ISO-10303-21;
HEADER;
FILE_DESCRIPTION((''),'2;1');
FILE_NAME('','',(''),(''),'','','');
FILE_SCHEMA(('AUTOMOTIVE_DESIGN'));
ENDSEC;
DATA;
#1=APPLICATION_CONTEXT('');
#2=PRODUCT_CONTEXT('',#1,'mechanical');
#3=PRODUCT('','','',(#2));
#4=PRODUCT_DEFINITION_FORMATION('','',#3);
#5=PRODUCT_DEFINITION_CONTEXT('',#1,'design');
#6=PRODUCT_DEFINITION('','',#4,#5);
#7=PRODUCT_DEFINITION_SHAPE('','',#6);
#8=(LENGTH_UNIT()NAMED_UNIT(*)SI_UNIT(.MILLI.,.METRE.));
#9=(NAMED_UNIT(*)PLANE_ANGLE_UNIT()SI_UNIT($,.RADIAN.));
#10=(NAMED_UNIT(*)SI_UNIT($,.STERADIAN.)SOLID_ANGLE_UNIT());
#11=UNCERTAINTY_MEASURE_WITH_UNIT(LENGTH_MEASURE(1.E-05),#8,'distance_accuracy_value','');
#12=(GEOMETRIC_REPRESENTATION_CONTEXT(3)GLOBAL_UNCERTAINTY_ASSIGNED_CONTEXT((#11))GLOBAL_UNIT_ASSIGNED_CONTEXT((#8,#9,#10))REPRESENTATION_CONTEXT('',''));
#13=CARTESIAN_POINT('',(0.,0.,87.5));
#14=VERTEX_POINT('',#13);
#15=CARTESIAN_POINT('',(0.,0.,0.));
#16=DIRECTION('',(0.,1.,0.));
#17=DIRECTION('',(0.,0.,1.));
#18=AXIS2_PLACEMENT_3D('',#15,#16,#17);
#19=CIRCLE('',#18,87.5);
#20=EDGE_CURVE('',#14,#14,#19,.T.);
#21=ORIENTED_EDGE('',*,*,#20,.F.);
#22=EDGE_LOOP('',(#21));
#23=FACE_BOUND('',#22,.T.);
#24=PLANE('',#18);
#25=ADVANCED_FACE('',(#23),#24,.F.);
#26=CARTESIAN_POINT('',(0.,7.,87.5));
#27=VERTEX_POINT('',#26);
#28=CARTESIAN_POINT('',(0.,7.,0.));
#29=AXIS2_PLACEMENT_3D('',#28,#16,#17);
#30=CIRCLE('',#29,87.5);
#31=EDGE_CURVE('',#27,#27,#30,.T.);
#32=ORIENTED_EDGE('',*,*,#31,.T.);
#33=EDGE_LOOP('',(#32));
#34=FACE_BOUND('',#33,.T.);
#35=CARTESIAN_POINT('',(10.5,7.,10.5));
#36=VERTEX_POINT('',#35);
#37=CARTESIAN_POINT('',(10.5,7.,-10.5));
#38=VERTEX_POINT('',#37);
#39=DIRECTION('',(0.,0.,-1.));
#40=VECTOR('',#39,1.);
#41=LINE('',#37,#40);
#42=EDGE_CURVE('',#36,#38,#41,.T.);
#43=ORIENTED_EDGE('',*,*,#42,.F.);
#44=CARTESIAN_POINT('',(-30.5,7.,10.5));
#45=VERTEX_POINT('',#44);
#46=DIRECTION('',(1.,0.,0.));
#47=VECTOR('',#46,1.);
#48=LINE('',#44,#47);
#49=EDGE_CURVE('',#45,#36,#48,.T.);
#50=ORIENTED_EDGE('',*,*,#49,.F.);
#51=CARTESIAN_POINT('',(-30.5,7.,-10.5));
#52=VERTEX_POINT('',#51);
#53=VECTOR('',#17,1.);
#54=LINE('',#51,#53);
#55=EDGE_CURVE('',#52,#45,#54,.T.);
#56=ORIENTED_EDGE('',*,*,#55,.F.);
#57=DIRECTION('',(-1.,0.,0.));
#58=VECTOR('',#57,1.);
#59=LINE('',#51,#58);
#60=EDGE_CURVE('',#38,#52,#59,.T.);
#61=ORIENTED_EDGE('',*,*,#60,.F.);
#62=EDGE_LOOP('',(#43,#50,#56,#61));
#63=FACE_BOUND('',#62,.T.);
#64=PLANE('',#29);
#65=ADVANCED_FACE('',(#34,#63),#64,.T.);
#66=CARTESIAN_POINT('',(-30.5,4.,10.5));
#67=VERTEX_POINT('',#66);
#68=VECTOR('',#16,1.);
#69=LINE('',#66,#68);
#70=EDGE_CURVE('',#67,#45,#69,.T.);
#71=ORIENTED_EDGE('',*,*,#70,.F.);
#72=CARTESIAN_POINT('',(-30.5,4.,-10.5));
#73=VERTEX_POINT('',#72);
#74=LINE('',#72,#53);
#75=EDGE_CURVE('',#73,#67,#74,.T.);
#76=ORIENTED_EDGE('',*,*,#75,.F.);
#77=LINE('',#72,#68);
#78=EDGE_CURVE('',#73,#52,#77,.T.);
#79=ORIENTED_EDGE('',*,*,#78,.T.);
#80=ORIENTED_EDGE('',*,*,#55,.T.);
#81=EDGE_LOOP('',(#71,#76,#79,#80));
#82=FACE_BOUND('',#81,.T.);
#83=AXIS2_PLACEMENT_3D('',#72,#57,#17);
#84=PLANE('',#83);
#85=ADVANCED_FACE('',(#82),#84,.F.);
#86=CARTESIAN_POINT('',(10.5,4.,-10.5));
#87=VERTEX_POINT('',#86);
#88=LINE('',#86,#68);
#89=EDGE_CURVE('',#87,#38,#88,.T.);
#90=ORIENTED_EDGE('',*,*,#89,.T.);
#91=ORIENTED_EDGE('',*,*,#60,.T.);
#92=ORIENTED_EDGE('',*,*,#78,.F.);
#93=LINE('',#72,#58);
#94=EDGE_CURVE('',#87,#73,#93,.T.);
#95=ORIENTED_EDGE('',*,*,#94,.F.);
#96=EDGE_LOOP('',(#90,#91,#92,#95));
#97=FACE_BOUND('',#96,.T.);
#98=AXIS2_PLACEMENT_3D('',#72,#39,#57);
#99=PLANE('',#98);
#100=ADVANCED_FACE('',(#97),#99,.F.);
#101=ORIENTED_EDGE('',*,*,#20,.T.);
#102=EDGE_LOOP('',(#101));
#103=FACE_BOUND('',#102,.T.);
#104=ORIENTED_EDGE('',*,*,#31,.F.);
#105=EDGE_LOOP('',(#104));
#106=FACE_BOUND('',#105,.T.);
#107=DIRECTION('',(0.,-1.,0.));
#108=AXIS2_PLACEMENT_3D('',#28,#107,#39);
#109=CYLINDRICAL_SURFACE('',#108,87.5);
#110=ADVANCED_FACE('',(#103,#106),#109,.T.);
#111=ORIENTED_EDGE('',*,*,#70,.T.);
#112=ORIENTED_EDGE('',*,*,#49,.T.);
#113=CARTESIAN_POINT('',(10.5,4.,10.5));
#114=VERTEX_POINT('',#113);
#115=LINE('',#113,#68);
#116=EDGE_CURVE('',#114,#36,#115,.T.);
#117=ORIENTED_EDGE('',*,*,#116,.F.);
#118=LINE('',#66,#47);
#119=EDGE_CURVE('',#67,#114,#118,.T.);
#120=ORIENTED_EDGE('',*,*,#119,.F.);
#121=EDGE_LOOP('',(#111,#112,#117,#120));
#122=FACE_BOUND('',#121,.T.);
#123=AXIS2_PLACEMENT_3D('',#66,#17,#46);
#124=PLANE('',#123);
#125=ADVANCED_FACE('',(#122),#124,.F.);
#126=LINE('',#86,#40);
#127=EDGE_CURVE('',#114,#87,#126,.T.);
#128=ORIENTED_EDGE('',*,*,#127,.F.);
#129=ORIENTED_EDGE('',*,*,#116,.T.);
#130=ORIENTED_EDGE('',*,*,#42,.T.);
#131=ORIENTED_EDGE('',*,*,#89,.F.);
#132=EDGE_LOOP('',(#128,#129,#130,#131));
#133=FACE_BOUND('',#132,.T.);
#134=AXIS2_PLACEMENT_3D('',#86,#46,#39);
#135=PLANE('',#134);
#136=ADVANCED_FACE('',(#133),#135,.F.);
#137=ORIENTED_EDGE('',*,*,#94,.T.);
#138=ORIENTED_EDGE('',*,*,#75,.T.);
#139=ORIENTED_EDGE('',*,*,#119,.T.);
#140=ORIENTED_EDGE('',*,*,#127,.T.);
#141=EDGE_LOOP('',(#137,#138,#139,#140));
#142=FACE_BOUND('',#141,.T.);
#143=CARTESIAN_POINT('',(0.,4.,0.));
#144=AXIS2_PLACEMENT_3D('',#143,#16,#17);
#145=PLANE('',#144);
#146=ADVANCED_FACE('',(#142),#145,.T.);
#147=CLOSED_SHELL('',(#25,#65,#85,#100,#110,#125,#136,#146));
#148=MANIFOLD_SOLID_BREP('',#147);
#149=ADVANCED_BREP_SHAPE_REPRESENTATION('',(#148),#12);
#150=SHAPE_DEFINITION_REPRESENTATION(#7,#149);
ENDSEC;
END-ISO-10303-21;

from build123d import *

# Parameters (mm, degrees)
SKETCH1_R           = 87.5
BOSS_EXTRUDE1_DEPTH = 7
SKETCH2_W           = 41
SKETCH2_H           = 21
CUT_EXTRUDE1_DEPTH  = 3


with BuildPart() as part:
    # Sketch1 → Boss-Extrude1 (new body)
    with BuildSketch(Plane(origin=(0, 0, 0), x_dir=(1, 0, 0), z_dir=(0, 1, 0))):
        with Locations(Location((0, 0, 0), (0, 0, 270))):
            Circle(SKETCH1_R)
    extrude(amount=BOSS_EXTRUDE1_DEPTH)

    # Sketch2 → Cut-Extrude1 (cut)
    with BuildSketch(Plane(origin=(0, 7, 0), x_dir=(1, 0, 0), z_dir=(0, 1, 0))):
        with Locations((-10, 0)):
            Rectangle(SKETCH2_W, SKETCH2_H)
    extrude(amount=-CUT_EXTRUDE1_DEPTH, mode=Mode.SUBTRACT)


solid = part.part
